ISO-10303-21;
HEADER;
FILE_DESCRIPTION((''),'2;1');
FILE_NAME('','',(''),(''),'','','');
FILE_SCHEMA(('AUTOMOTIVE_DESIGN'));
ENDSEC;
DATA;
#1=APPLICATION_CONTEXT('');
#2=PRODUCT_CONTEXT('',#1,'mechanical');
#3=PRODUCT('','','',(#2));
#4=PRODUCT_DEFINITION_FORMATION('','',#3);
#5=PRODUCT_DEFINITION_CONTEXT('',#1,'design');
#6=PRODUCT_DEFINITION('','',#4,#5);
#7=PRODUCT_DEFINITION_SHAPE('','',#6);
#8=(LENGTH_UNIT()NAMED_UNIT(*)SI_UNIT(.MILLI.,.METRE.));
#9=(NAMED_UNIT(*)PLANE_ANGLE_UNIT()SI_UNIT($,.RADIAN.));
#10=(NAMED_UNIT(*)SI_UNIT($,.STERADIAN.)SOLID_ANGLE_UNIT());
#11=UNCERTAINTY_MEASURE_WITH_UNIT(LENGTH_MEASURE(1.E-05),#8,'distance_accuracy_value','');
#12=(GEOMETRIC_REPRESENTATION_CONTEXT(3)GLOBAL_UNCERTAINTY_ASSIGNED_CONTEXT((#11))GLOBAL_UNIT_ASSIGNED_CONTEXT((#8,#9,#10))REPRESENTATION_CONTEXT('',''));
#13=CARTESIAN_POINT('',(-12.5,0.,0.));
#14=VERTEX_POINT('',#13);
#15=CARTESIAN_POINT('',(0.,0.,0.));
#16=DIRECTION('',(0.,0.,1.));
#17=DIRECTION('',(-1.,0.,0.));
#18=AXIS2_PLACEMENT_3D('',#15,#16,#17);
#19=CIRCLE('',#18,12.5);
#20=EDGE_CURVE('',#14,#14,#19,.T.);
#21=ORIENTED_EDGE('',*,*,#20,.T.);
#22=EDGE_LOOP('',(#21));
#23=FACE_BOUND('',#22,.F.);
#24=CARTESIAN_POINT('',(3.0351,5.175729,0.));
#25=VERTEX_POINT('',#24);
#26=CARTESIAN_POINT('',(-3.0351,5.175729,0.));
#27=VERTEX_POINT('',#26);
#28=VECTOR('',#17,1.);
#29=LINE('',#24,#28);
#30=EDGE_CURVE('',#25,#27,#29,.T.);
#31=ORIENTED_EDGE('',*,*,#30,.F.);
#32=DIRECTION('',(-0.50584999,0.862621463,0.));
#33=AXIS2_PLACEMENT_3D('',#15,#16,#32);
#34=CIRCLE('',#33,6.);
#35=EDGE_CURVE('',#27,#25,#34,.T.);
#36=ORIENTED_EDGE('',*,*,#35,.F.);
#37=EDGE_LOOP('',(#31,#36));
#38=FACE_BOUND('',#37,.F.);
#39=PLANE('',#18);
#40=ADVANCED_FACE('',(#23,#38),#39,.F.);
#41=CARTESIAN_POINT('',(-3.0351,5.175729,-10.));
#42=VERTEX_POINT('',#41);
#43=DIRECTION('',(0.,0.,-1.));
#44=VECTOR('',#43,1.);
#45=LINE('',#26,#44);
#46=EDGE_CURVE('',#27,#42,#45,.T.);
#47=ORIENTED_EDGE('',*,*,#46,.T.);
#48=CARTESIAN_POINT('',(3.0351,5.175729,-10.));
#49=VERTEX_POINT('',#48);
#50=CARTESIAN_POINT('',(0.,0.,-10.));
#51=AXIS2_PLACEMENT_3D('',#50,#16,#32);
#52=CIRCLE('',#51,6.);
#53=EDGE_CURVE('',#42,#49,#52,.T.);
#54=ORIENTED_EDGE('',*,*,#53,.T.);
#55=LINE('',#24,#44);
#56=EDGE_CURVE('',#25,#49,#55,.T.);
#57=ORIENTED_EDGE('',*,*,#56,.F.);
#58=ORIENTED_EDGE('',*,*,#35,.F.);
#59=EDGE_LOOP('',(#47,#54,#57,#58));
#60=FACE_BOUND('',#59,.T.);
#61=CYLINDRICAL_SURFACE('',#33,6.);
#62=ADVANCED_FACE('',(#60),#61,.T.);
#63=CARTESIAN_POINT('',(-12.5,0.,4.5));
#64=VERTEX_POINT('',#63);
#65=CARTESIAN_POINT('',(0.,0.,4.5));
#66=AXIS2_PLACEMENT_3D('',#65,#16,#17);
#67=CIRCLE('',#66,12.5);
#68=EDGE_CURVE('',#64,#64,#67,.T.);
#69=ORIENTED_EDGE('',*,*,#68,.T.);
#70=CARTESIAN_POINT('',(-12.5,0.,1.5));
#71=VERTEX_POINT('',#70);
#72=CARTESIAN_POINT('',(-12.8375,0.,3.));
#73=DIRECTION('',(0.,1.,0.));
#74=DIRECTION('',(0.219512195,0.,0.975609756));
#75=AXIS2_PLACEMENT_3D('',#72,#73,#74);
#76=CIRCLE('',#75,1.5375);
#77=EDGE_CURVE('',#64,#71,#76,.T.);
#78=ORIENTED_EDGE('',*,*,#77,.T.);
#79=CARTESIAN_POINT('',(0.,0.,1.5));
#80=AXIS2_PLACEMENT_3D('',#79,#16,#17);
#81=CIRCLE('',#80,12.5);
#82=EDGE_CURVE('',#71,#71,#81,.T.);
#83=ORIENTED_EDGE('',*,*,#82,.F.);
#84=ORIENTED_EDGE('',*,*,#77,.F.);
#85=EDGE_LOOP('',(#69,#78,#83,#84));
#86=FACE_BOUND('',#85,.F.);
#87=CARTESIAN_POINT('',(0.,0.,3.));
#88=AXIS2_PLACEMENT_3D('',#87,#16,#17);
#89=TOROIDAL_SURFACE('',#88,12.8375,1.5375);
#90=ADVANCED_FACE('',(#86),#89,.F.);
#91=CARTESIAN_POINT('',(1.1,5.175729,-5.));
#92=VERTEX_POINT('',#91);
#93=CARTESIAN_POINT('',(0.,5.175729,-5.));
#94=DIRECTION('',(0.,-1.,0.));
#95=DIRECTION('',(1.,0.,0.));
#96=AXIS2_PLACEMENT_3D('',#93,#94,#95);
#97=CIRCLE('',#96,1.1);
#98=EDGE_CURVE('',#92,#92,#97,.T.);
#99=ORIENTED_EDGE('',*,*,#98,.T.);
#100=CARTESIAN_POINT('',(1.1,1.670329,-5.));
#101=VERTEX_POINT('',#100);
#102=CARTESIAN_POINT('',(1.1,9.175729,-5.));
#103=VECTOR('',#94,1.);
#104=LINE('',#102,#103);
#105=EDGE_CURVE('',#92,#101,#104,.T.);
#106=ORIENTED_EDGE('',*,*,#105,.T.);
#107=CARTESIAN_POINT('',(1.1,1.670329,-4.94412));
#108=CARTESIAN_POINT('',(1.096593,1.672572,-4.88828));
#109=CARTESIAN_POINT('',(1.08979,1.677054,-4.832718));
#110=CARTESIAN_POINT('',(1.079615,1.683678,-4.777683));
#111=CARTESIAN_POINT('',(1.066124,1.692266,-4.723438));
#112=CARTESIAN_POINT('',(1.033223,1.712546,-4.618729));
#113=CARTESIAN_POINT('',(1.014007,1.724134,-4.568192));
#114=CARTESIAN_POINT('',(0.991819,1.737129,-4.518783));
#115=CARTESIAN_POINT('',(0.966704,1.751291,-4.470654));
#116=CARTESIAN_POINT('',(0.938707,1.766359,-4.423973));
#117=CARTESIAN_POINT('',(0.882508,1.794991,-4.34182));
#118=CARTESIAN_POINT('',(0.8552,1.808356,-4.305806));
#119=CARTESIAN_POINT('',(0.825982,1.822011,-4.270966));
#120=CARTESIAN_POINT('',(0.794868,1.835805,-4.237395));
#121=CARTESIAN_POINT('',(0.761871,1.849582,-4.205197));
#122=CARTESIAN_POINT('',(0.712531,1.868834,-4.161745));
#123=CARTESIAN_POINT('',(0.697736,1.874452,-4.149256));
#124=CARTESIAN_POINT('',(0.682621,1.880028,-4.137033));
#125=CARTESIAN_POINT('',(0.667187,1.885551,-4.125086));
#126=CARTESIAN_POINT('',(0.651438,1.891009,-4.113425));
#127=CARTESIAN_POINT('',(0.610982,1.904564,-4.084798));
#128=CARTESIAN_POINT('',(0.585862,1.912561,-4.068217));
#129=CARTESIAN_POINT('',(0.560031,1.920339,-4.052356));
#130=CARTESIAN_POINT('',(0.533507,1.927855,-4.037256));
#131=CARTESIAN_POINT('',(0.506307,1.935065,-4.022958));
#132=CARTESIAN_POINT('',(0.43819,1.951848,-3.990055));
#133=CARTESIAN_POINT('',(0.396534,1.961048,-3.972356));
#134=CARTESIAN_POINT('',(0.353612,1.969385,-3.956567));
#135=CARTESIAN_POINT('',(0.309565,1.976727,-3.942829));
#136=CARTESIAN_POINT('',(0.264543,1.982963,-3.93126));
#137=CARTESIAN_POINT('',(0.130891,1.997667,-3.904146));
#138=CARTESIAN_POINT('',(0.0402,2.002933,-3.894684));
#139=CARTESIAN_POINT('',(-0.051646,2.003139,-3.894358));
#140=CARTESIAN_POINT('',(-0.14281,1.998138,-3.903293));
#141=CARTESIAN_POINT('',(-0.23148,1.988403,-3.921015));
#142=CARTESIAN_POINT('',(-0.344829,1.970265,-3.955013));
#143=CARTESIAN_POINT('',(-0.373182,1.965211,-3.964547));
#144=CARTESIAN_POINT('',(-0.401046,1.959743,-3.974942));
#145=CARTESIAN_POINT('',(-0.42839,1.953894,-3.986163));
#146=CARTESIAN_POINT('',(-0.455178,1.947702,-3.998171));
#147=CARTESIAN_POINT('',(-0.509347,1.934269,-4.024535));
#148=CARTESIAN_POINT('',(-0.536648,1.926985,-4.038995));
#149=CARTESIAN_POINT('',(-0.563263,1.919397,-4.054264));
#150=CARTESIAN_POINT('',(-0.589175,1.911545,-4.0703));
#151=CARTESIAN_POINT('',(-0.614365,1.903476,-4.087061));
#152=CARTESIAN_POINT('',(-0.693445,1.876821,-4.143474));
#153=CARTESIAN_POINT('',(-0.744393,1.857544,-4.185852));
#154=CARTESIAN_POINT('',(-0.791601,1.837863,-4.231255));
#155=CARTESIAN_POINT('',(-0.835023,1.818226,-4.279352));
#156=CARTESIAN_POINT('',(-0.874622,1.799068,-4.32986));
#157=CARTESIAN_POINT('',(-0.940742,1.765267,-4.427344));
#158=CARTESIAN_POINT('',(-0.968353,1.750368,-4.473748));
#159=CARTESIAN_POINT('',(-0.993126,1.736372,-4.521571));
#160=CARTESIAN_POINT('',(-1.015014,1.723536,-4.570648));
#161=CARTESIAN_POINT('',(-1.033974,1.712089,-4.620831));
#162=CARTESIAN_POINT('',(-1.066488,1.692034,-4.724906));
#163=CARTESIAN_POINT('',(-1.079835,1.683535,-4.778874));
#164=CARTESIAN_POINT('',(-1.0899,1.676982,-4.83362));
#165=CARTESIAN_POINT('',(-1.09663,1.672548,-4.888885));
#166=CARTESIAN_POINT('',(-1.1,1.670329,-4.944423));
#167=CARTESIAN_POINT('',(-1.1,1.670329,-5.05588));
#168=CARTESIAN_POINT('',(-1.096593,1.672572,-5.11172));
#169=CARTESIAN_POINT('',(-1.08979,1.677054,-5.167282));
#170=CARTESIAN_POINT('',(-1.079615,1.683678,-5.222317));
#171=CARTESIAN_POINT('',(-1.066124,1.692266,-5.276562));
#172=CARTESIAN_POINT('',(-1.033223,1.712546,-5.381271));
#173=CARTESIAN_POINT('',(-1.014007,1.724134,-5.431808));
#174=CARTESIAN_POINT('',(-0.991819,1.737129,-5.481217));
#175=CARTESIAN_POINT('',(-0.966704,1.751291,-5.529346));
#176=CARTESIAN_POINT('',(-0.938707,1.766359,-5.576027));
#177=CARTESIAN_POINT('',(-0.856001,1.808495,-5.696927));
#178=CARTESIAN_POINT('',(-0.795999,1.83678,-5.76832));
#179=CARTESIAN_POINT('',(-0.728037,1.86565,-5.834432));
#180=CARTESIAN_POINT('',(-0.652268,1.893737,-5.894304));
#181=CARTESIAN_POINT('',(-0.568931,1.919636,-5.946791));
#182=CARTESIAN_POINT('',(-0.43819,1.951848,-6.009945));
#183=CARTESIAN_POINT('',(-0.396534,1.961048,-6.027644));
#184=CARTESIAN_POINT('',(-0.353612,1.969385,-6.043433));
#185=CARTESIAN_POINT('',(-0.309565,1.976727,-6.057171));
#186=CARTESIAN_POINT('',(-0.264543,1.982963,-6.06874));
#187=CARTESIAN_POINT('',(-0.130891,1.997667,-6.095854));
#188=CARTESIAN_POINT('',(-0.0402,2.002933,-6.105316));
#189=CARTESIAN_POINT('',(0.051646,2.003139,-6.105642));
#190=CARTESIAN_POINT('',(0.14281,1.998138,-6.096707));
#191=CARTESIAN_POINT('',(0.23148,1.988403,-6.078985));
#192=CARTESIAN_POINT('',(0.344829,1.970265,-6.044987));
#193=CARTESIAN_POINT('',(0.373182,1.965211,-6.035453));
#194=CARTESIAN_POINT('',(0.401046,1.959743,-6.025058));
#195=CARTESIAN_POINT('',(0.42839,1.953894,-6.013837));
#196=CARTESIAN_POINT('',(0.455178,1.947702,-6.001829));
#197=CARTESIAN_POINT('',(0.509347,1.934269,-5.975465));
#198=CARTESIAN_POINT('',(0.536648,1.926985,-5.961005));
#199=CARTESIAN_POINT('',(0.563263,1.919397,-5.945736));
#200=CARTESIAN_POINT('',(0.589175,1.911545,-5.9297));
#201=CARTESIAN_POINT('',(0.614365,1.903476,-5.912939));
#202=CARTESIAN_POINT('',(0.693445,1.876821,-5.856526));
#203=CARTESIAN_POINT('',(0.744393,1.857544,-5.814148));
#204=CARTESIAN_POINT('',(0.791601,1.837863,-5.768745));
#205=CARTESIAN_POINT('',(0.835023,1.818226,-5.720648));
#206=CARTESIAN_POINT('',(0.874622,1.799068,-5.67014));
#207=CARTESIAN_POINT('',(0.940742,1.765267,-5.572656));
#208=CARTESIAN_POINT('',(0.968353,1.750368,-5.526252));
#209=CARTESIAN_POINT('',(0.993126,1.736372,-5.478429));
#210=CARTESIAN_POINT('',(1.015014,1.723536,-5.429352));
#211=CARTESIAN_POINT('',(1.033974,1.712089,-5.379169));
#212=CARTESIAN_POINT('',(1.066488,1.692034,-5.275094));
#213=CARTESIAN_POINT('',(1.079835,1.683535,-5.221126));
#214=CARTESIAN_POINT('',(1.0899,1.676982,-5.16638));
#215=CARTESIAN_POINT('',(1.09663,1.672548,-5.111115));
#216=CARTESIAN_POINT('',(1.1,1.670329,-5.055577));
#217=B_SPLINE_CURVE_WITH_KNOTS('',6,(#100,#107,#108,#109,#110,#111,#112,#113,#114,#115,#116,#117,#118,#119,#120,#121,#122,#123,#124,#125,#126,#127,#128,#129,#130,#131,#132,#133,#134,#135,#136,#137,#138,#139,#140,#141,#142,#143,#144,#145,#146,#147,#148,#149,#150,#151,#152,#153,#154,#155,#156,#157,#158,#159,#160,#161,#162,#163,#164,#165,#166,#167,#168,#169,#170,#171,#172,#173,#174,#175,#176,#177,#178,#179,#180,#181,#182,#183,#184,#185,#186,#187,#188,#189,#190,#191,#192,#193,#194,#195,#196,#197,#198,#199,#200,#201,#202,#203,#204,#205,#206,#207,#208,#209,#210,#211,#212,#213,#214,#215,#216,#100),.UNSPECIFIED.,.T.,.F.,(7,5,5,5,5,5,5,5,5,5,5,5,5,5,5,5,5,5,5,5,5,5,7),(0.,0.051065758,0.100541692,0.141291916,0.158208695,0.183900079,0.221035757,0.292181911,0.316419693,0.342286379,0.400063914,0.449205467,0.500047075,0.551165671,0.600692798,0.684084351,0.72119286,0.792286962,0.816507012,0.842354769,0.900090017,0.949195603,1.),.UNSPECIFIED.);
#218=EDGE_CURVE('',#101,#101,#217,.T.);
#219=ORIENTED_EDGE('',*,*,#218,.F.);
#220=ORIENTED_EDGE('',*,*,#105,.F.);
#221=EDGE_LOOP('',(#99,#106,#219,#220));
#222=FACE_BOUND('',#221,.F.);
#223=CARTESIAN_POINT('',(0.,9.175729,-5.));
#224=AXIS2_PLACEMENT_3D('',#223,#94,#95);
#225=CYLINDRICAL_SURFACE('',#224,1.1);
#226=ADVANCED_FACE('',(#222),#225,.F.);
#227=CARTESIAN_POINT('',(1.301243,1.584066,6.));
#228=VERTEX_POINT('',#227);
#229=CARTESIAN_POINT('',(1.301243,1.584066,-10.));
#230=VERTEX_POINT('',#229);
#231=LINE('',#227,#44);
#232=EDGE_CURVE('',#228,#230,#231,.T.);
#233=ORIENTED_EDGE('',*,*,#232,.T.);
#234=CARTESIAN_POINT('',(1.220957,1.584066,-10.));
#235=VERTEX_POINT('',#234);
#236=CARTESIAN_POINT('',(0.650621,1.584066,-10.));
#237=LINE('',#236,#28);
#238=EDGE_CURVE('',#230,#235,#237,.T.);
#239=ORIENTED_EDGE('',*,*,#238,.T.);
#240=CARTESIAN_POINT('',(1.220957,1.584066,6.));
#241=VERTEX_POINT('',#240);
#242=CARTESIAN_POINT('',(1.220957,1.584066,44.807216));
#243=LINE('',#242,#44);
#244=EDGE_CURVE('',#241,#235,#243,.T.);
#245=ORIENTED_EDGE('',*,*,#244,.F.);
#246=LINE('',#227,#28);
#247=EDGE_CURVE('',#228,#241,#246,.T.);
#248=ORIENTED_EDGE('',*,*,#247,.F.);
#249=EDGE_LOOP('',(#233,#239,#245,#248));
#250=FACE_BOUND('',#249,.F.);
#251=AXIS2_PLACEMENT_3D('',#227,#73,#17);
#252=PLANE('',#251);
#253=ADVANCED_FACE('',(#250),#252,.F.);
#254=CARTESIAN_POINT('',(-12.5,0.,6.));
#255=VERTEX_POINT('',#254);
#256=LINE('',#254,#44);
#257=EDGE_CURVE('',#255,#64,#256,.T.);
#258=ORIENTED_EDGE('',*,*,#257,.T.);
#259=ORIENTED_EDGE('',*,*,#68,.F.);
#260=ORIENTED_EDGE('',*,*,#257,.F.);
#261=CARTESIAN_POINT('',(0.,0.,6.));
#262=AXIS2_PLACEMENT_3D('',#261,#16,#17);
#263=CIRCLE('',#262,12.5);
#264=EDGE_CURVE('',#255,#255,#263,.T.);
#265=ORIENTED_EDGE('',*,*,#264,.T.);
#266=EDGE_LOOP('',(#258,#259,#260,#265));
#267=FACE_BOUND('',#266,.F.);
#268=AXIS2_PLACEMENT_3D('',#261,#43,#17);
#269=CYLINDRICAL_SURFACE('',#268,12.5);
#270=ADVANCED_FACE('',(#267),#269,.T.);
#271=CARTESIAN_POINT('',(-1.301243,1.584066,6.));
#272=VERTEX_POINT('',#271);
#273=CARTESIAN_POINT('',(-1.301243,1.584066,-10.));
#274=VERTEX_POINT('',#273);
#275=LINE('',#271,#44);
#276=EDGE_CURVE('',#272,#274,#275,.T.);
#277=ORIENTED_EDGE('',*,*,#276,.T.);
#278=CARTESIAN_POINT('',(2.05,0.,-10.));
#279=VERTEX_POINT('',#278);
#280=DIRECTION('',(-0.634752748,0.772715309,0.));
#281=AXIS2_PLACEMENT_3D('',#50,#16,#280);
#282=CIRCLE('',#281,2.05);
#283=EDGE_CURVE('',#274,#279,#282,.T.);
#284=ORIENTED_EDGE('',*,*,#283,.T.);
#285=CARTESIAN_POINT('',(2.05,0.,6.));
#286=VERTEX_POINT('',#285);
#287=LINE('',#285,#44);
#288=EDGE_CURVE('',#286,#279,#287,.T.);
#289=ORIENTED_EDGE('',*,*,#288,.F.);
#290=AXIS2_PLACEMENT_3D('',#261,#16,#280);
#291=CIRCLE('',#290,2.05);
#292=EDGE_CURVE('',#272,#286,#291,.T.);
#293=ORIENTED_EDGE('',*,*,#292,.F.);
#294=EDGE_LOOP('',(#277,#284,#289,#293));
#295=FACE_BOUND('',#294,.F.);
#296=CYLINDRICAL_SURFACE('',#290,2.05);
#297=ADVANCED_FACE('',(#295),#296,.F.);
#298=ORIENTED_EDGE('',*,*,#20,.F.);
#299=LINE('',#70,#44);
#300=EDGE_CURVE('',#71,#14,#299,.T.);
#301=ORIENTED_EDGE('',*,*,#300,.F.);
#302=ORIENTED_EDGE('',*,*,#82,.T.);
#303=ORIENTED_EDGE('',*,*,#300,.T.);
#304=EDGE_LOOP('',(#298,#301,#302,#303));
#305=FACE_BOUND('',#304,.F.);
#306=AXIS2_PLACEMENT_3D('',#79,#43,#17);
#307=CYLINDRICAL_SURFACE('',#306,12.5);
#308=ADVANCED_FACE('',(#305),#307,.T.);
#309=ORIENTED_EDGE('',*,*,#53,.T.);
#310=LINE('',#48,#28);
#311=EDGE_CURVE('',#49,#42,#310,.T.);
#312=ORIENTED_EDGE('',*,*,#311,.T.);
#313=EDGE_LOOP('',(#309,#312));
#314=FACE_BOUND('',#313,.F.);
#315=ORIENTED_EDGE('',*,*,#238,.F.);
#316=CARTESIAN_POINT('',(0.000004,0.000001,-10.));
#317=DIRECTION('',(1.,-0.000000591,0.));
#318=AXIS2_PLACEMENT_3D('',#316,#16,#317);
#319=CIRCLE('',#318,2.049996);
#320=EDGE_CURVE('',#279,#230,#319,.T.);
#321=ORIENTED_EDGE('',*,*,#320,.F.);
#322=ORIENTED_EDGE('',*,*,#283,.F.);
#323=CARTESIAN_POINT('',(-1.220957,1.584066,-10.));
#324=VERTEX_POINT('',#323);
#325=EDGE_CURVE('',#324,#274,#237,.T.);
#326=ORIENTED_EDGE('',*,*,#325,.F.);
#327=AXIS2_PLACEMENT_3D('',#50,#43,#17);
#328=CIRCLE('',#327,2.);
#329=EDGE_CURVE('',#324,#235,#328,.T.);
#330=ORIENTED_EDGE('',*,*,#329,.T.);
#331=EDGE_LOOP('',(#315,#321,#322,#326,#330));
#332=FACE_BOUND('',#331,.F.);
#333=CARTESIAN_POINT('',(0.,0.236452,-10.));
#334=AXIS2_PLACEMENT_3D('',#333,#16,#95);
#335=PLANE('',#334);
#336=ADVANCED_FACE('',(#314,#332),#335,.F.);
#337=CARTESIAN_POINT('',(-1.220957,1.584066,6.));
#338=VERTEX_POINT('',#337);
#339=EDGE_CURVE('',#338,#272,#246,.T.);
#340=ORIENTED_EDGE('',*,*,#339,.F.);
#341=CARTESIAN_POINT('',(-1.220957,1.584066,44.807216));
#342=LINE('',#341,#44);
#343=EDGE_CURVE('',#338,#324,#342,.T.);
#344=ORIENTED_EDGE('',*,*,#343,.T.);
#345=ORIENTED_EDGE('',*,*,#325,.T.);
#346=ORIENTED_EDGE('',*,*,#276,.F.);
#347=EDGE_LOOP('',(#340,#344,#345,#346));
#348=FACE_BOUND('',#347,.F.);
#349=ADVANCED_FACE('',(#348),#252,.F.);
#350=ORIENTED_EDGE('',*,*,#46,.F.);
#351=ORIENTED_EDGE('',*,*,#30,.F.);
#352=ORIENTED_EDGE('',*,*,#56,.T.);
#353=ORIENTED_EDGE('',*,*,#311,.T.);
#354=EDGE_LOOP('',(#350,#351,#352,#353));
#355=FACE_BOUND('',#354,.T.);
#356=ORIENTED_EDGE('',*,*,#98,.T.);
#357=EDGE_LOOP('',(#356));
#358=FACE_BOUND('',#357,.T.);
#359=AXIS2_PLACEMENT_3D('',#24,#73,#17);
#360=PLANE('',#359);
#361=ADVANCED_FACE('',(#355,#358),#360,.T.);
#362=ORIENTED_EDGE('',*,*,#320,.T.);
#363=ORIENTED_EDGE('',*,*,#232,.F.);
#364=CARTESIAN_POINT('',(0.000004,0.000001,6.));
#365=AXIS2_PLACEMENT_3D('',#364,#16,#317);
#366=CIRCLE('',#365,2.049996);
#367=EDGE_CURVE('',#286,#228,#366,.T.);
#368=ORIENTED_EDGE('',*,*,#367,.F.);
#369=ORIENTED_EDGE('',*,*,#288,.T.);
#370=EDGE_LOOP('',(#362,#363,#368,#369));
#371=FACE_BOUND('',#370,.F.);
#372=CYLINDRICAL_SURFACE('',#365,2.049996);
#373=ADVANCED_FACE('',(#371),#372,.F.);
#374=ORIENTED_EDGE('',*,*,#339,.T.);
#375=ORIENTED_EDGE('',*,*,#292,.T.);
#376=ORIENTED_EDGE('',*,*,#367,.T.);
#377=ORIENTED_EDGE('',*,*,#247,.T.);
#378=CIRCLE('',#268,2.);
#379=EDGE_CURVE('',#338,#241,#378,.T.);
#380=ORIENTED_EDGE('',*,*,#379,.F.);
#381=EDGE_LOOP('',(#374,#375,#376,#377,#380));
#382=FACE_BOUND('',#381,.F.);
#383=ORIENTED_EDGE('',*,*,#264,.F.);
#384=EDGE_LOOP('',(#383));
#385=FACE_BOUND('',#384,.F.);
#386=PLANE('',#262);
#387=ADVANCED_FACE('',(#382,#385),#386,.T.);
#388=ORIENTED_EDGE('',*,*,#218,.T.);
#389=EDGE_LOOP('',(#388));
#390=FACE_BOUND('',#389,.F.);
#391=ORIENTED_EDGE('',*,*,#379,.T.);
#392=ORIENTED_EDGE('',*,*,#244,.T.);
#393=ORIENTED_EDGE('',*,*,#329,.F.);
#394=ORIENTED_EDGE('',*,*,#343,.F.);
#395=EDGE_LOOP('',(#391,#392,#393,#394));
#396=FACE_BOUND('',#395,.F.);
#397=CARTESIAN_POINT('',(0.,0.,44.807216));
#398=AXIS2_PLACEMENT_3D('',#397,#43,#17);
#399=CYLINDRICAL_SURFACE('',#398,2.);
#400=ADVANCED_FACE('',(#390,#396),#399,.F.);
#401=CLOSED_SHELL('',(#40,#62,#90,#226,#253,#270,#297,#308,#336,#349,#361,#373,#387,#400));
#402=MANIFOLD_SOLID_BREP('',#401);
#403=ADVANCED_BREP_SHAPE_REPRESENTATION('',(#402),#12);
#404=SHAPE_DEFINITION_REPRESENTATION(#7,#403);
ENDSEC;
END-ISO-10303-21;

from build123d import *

# Parameters (mm, degrees)
F4_DEPTH = 10
F5_DEPTH = 16.001
F7_D     = 2.2
F7_DEPTH = 4
F8_D     = 4


with BuildPart() as f1:
    # F0 (on Front) → F1 (revolve)
    with BuildSketch(Plane.XZ):
        with BuildLine():
            Line((-12.5, 0), (0, 0))
            Line((0, 0), (0, 6))
            Line((0, 6), (-12.5, 6))
            Line((-12.5, 6), (-12.5, 4.5))
            ThreePointArc((-12.5, 4.5), (-11.3, 3), (-12.5, 1.5))
            Line((-12.5, 1.5), (-12.5, 0))
        make_face()
    revolve(axis=Axis((0, 0, 3), (0, 0, 1)))

    # F3 (on Top) → F4 (join)
    with BuildSketch(Plane.XY):
        with BuildLine():
            Line((3.0351, 5.175729), (-3.0351, 5.175729))
            ThreePointArc((-3.0351, 5.175729), (0, -6), (3.0351, 5.175729))
        make_face()
    extrude(amount=-F4_DEPTH)

    # F2 (on face) → F5 (cut, through all)
    with BuildSketch(Plane.XY.offset(6)):
        with BuildLine():
            ThreePointArc((-1.301243, 1.584066), (-0.876057, -1.853382), (2.05, 0))
            ThreePointArc((2.05, 0), (1.853382, 0.876057), (1.301243, 1.584066))
            Line((1.301243, 1.584066), (-1.301243, 1.584066))
        make_face()
    extrude(amount=-F5_DEPTH, mode=Mode.SUBTRACT)

    # F7
    with Locations(Plane(origin=(0, 5.175729, 0), x_dir=(-1, 0, 0), z_dir=(0, 1, 0))):
        with Locations((0, -5)):
            Hole(F7_D / 2, depth=F7_DEPTH)

    # F8 (through all)
    with Locations(Plane.XY.offset(6)):
        with Locations((0, 0)):
            Hole(F8_D / 2)


solid = f1.part
